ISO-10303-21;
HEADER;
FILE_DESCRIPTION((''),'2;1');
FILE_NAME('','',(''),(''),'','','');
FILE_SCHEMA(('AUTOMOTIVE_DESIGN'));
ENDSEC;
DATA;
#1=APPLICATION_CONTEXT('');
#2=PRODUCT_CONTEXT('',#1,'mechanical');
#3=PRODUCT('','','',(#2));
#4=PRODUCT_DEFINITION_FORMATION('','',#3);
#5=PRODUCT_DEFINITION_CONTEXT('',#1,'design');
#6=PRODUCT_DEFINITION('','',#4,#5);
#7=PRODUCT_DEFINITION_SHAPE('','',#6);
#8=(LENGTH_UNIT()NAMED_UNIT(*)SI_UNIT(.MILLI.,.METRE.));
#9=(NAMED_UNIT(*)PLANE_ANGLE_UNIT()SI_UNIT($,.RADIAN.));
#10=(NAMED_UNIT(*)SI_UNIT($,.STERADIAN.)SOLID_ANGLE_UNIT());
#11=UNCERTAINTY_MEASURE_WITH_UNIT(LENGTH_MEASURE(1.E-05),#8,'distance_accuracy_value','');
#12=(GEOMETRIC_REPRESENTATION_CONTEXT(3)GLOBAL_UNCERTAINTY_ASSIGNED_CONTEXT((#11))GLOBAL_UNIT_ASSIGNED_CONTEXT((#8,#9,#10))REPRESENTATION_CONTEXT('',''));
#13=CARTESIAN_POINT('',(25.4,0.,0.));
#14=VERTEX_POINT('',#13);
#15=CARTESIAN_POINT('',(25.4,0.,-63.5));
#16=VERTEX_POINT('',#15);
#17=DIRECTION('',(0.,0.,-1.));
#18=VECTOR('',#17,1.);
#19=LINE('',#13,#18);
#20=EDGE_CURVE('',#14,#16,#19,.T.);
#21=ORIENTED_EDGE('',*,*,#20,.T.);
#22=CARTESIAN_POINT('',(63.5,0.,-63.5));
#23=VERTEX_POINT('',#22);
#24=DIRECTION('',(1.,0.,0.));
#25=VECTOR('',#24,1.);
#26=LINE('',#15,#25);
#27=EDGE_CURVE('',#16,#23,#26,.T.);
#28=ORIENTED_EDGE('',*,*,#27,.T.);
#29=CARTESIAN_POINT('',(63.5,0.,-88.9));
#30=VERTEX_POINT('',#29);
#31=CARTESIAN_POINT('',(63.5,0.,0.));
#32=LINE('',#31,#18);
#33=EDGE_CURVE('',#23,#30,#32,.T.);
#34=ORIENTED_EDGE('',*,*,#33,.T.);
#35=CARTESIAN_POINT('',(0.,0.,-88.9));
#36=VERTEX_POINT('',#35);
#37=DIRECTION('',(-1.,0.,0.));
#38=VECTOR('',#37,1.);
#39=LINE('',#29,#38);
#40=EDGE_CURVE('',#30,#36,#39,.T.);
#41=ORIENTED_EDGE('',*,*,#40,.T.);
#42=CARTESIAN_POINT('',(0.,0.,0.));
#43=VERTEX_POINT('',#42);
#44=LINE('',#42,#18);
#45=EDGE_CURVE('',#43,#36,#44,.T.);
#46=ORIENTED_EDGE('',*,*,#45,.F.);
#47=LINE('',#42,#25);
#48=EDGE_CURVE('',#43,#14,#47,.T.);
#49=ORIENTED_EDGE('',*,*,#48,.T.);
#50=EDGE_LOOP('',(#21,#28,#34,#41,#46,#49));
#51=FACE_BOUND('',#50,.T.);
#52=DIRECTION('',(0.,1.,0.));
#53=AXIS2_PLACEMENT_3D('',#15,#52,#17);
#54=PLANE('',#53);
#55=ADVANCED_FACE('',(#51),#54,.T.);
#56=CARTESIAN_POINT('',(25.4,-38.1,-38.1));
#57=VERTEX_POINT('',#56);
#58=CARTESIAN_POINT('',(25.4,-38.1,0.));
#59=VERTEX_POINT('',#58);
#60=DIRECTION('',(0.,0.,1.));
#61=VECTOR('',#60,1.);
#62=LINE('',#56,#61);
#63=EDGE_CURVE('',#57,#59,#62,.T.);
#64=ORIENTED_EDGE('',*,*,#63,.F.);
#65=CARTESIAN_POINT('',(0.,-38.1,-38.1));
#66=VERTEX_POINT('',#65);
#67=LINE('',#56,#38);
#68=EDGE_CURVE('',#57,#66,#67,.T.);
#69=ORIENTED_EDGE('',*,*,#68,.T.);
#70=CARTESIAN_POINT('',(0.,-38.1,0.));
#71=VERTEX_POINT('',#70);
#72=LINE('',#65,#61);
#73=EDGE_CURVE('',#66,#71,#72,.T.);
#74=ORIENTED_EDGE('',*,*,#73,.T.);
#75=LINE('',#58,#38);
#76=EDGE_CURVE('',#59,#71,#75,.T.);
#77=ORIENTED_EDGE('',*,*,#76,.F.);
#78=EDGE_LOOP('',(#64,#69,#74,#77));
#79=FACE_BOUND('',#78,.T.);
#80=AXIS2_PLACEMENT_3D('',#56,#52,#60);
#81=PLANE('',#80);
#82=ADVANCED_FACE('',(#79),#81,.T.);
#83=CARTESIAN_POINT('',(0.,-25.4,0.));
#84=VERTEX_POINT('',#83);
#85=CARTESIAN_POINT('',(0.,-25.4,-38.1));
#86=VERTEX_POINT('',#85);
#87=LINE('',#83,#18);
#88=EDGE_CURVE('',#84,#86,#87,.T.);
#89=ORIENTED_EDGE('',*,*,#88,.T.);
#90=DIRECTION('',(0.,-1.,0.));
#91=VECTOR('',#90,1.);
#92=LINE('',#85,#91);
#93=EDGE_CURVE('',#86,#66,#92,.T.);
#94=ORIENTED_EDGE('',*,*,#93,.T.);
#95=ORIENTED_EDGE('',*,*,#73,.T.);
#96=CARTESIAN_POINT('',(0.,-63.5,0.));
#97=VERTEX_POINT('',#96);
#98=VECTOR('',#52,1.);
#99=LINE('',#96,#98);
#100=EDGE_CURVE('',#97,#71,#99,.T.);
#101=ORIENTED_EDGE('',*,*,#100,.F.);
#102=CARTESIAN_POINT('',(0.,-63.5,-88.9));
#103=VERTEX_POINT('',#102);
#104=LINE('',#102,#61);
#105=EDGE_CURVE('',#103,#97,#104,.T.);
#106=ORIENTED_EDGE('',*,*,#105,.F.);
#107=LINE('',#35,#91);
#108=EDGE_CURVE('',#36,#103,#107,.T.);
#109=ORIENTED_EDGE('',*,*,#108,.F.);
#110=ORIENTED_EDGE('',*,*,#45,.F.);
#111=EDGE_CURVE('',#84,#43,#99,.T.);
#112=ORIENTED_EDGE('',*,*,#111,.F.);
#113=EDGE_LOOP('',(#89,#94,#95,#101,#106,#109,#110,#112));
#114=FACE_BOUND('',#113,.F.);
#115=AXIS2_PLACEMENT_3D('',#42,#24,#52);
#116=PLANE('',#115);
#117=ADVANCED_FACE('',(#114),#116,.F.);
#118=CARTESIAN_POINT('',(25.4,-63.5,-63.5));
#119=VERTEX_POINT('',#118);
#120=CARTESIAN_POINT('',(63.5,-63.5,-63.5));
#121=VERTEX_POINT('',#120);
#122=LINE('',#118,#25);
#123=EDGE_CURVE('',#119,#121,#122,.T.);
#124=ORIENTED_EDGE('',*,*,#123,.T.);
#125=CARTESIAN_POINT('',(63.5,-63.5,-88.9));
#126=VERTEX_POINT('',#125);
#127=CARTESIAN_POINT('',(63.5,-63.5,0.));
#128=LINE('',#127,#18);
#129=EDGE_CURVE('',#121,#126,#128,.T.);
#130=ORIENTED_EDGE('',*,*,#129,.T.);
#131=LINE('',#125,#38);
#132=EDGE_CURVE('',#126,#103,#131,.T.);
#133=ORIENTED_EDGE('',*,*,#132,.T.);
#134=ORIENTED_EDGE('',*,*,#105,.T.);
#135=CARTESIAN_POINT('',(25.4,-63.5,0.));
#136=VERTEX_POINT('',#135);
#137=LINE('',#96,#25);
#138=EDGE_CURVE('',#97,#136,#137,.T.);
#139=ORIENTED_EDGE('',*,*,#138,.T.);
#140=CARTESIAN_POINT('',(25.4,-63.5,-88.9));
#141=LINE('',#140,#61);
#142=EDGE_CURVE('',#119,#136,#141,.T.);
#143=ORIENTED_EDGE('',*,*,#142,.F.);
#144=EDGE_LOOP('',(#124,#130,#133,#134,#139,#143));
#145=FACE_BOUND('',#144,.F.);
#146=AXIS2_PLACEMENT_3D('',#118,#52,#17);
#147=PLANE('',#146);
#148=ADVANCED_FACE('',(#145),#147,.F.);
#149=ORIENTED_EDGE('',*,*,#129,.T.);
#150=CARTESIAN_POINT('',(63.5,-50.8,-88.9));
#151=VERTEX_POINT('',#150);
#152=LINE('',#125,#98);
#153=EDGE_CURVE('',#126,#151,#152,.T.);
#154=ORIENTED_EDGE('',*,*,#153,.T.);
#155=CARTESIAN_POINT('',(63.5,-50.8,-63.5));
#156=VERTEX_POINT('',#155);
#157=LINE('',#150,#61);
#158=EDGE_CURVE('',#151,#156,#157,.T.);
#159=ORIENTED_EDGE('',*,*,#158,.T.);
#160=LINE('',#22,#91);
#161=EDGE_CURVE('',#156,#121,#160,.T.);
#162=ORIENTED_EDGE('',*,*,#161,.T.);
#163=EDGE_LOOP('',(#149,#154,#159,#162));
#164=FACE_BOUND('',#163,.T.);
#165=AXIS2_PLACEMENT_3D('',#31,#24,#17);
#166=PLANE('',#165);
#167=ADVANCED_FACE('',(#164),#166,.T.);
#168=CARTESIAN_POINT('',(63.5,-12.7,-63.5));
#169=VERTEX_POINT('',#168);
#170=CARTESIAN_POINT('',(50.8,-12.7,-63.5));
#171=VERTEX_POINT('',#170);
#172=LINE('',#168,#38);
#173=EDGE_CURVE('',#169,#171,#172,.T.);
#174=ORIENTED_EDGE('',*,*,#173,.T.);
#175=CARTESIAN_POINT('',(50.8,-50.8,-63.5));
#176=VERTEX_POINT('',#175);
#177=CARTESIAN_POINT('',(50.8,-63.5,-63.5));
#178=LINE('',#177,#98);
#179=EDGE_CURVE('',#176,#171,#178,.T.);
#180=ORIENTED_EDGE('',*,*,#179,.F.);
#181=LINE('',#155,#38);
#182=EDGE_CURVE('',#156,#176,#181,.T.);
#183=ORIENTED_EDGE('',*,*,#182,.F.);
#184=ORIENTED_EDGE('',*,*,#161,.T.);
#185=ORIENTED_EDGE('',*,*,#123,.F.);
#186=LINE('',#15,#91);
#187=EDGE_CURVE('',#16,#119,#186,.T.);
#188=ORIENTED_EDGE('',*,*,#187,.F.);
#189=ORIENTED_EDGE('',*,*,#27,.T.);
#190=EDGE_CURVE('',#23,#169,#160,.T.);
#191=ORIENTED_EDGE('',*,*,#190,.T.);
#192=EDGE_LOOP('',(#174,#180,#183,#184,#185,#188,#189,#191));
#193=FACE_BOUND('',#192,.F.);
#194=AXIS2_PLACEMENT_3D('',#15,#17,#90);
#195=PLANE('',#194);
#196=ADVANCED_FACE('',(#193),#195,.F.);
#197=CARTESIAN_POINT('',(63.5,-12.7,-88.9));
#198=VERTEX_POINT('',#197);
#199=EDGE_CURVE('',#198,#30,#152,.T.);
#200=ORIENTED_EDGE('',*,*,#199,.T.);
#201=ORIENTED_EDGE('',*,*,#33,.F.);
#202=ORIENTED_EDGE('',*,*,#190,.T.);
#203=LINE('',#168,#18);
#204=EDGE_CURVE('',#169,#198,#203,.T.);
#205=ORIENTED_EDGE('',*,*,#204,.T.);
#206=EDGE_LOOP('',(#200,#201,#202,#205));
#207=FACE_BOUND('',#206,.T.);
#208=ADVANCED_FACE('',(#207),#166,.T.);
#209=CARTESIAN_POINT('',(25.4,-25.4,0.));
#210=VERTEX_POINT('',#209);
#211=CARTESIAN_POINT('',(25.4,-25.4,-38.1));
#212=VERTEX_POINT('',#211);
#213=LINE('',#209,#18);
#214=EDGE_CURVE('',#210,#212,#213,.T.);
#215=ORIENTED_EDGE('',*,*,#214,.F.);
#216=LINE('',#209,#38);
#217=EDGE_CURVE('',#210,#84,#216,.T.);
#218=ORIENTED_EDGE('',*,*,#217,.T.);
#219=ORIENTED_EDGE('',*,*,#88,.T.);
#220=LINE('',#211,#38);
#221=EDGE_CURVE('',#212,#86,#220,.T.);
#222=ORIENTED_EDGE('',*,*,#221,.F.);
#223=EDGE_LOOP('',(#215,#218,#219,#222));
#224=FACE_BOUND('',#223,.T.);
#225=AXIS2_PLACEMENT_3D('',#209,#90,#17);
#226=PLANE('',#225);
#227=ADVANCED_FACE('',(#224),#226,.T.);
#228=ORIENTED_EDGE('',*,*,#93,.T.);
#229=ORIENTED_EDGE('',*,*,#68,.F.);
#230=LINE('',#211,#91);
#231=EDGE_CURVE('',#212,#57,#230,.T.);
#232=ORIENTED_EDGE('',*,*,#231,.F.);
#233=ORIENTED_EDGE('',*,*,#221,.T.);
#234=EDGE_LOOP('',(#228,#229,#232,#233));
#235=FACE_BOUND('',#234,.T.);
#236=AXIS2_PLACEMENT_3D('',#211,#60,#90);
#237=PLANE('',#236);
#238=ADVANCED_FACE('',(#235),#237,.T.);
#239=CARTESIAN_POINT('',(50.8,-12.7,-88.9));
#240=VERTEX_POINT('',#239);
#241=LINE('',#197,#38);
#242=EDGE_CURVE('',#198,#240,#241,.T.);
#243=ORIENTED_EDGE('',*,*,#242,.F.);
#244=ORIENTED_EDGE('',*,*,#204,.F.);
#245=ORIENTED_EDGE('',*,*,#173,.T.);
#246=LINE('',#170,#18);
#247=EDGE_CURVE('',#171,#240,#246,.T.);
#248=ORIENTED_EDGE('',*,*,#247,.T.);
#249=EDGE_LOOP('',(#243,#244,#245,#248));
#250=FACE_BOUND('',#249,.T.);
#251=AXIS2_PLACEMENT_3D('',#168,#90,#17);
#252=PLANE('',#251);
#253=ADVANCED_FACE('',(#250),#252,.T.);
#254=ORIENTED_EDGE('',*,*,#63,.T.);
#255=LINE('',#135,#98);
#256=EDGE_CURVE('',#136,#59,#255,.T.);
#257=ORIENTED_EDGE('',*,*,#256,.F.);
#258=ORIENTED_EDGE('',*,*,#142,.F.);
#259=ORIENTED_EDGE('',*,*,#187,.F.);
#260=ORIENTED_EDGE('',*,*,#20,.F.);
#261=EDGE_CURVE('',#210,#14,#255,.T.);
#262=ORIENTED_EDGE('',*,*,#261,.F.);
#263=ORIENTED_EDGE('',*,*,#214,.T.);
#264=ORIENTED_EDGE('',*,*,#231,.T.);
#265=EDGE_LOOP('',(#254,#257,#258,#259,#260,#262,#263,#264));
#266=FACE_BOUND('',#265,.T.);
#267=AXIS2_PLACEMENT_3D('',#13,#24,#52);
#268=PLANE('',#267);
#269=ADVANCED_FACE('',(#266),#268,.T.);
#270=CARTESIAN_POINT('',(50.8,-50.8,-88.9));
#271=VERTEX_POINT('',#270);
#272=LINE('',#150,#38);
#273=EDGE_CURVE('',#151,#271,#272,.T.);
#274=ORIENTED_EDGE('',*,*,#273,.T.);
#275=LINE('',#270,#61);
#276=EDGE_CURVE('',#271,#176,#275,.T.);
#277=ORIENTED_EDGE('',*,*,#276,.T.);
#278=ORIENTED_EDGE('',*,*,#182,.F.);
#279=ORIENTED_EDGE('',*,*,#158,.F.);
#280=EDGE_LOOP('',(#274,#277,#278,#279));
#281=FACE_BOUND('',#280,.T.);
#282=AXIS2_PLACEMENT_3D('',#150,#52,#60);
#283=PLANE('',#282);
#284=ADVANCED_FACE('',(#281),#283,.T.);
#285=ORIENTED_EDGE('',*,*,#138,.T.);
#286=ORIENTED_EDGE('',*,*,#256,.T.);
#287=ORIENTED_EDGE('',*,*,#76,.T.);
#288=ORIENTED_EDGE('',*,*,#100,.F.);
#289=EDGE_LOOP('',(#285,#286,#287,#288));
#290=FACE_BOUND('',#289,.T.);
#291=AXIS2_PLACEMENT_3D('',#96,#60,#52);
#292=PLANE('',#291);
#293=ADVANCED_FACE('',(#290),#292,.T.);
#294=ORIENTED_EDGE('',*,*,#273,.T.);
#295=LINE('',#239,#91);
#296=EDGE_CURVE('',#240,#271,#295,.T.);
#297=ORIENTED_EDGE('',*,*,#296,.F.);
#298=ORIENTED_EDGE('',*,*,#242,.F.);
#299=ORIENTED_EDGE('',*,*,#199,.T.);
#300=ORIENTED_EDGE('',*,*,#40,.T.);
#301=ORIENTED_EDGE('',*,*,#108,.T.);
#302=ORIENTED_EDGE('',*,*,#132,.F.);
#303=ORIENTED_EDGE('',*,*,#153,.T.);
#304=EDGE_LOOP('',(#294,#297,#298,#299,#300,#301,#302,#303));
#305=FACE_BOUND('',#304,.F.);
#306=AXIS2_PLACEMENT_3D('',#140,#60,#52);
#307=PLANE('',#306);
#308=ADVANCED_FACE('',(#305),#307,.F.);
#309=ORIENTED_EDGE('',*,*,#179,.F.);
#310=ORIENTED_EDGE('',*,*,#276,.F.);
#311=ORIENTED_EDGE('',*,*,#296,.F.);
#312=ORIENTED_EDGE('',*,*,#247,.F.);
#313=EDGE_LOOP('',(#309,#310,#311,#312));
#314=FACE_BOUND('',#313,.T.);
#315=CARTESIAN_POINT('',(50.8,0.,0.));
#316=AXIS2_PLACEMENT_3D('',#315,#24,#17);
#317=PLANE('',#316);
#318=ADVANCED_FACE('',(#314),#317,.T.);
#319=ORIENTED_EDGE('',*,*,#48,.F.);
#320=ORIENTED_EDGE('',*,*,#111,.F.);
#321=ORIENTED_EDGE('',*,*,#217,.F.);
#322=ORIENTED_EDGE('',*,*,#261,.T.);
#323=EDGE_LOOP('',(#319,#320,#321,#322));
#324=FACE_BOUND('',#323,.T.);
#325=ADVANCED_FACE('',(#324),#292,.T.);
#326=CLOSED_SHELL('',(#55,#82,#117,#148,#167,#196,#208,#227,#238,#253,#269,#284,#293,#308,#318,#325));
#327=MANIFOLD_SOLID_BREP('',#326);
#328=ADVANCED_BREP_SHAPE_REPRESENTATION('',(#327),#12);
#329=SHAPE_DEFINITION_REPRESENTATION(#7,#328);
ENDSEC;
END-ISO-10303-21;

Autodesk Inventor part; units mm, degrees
ref_plane "YZ Plane" through (0, 0, 0) normal (1, 0, 0) x (0, 1, 0)
ref_plane "XZ Plane" through (0, 0, 0) normal (0, 1, 0) x (-1, 0, 0)
ref_plane "XY Plane" through (0, 0, 0) normal (0, 0, 1) x (1, 0, 0)
sketch "Sketch1" plane through (0, 0, 0) normal (1, 0, 0) x (0, 1, 0)
  line L0 (0, 0) -> (0, -88.9)
  line L1 (0, -88.9) -> (-63.5, -88.9)
  line L2 (-63.5, -88.9) -> (-63.5, 0)
  line L3 (-63.5, 0) -> (0, 0)
  dimension "d0" = 88.9
  dimension "d1" = 63.5
extrude "Extrusion1" add sketch "Sketch1" along normal blind 25.4
sketch "Sketch2" plane through (25.4, 0, 0) normal (1, 0, 0) x (0, 0, -1)
  point P0 (0, 0)
sketch "Sketch3" plane through (25.4, 0, 0) normal (1, 0, 0) x (0, 0, -1)
  line L0 (0, 0) -> (0, -63.5) projected
  line L1 (0, -25.4) -> (38.1, -25.4)
  line L2 (38.1, -25.4) -> (38.1, -38.1)
  line L3 (38.1, -38.1) -> (0, -38.1)
  line L4 (0, -25.4) -> (0, -38.1)
  dimension "d4" = 25.4
  dimension "d5" = 38.1
  dimension "d6" = 12.7
extrude "Extrusion2" cut sketch "Sketch3" against normal blind 25.4
sketch "Sketch4" plane through (25.4, 0, 0) normal (1, 0, 0) x (0, 0, -1)
  line L0 (0, 0) -> (88.9, 0) projected
  line L1 (88.9, 0) -> (63.5, 0)
  line L2 (63.5, 0) -> (63.5, -63.5)
  line L3 (0, -63.5) -> (88.9, -63.5) projected
  line L4 (63.5, -63.5) -> (88.9, -63.5)
  line L5 (88.9, -63.5) -> (88.9, 0)
  dimension "d9" = 25.4
extrude "Extrusion3" add sketch "Sketch4" along normal blind 38.1
sketch "Sketch5" plane through (63.5, 0, 0) normal (1, 0, 0) x (0, 0, -1)
  point P0 (0, 0)
sketch "Sketch6" plane through (63.5, 0, 0) normal (1, 0, 0) x (0, 0, -1)
  line L0 (63.5, -12.7) -> (88.9, -12.7)
  line L1 (88.9, -12.7) -> (88.9, -50.8)
  line L2 (88.9, -63.5) -> (88.9, 0) projected
  line L3 (88.9, -50.8) -> (63.5, -50.8)
  line L4 (63.5, -63.5) -> (63.5, 0) projected
  line L5 (63.5, -12.7) -> (63.5, -50.8)
  point P0 (0, 0)
  dimension "d12" = 12.7
  dimension "d13" = 38.1
extrude "Extrusion4" cut sketch "Sketch6" against normal blind 12.7
properties part number "Model Creation 3"
